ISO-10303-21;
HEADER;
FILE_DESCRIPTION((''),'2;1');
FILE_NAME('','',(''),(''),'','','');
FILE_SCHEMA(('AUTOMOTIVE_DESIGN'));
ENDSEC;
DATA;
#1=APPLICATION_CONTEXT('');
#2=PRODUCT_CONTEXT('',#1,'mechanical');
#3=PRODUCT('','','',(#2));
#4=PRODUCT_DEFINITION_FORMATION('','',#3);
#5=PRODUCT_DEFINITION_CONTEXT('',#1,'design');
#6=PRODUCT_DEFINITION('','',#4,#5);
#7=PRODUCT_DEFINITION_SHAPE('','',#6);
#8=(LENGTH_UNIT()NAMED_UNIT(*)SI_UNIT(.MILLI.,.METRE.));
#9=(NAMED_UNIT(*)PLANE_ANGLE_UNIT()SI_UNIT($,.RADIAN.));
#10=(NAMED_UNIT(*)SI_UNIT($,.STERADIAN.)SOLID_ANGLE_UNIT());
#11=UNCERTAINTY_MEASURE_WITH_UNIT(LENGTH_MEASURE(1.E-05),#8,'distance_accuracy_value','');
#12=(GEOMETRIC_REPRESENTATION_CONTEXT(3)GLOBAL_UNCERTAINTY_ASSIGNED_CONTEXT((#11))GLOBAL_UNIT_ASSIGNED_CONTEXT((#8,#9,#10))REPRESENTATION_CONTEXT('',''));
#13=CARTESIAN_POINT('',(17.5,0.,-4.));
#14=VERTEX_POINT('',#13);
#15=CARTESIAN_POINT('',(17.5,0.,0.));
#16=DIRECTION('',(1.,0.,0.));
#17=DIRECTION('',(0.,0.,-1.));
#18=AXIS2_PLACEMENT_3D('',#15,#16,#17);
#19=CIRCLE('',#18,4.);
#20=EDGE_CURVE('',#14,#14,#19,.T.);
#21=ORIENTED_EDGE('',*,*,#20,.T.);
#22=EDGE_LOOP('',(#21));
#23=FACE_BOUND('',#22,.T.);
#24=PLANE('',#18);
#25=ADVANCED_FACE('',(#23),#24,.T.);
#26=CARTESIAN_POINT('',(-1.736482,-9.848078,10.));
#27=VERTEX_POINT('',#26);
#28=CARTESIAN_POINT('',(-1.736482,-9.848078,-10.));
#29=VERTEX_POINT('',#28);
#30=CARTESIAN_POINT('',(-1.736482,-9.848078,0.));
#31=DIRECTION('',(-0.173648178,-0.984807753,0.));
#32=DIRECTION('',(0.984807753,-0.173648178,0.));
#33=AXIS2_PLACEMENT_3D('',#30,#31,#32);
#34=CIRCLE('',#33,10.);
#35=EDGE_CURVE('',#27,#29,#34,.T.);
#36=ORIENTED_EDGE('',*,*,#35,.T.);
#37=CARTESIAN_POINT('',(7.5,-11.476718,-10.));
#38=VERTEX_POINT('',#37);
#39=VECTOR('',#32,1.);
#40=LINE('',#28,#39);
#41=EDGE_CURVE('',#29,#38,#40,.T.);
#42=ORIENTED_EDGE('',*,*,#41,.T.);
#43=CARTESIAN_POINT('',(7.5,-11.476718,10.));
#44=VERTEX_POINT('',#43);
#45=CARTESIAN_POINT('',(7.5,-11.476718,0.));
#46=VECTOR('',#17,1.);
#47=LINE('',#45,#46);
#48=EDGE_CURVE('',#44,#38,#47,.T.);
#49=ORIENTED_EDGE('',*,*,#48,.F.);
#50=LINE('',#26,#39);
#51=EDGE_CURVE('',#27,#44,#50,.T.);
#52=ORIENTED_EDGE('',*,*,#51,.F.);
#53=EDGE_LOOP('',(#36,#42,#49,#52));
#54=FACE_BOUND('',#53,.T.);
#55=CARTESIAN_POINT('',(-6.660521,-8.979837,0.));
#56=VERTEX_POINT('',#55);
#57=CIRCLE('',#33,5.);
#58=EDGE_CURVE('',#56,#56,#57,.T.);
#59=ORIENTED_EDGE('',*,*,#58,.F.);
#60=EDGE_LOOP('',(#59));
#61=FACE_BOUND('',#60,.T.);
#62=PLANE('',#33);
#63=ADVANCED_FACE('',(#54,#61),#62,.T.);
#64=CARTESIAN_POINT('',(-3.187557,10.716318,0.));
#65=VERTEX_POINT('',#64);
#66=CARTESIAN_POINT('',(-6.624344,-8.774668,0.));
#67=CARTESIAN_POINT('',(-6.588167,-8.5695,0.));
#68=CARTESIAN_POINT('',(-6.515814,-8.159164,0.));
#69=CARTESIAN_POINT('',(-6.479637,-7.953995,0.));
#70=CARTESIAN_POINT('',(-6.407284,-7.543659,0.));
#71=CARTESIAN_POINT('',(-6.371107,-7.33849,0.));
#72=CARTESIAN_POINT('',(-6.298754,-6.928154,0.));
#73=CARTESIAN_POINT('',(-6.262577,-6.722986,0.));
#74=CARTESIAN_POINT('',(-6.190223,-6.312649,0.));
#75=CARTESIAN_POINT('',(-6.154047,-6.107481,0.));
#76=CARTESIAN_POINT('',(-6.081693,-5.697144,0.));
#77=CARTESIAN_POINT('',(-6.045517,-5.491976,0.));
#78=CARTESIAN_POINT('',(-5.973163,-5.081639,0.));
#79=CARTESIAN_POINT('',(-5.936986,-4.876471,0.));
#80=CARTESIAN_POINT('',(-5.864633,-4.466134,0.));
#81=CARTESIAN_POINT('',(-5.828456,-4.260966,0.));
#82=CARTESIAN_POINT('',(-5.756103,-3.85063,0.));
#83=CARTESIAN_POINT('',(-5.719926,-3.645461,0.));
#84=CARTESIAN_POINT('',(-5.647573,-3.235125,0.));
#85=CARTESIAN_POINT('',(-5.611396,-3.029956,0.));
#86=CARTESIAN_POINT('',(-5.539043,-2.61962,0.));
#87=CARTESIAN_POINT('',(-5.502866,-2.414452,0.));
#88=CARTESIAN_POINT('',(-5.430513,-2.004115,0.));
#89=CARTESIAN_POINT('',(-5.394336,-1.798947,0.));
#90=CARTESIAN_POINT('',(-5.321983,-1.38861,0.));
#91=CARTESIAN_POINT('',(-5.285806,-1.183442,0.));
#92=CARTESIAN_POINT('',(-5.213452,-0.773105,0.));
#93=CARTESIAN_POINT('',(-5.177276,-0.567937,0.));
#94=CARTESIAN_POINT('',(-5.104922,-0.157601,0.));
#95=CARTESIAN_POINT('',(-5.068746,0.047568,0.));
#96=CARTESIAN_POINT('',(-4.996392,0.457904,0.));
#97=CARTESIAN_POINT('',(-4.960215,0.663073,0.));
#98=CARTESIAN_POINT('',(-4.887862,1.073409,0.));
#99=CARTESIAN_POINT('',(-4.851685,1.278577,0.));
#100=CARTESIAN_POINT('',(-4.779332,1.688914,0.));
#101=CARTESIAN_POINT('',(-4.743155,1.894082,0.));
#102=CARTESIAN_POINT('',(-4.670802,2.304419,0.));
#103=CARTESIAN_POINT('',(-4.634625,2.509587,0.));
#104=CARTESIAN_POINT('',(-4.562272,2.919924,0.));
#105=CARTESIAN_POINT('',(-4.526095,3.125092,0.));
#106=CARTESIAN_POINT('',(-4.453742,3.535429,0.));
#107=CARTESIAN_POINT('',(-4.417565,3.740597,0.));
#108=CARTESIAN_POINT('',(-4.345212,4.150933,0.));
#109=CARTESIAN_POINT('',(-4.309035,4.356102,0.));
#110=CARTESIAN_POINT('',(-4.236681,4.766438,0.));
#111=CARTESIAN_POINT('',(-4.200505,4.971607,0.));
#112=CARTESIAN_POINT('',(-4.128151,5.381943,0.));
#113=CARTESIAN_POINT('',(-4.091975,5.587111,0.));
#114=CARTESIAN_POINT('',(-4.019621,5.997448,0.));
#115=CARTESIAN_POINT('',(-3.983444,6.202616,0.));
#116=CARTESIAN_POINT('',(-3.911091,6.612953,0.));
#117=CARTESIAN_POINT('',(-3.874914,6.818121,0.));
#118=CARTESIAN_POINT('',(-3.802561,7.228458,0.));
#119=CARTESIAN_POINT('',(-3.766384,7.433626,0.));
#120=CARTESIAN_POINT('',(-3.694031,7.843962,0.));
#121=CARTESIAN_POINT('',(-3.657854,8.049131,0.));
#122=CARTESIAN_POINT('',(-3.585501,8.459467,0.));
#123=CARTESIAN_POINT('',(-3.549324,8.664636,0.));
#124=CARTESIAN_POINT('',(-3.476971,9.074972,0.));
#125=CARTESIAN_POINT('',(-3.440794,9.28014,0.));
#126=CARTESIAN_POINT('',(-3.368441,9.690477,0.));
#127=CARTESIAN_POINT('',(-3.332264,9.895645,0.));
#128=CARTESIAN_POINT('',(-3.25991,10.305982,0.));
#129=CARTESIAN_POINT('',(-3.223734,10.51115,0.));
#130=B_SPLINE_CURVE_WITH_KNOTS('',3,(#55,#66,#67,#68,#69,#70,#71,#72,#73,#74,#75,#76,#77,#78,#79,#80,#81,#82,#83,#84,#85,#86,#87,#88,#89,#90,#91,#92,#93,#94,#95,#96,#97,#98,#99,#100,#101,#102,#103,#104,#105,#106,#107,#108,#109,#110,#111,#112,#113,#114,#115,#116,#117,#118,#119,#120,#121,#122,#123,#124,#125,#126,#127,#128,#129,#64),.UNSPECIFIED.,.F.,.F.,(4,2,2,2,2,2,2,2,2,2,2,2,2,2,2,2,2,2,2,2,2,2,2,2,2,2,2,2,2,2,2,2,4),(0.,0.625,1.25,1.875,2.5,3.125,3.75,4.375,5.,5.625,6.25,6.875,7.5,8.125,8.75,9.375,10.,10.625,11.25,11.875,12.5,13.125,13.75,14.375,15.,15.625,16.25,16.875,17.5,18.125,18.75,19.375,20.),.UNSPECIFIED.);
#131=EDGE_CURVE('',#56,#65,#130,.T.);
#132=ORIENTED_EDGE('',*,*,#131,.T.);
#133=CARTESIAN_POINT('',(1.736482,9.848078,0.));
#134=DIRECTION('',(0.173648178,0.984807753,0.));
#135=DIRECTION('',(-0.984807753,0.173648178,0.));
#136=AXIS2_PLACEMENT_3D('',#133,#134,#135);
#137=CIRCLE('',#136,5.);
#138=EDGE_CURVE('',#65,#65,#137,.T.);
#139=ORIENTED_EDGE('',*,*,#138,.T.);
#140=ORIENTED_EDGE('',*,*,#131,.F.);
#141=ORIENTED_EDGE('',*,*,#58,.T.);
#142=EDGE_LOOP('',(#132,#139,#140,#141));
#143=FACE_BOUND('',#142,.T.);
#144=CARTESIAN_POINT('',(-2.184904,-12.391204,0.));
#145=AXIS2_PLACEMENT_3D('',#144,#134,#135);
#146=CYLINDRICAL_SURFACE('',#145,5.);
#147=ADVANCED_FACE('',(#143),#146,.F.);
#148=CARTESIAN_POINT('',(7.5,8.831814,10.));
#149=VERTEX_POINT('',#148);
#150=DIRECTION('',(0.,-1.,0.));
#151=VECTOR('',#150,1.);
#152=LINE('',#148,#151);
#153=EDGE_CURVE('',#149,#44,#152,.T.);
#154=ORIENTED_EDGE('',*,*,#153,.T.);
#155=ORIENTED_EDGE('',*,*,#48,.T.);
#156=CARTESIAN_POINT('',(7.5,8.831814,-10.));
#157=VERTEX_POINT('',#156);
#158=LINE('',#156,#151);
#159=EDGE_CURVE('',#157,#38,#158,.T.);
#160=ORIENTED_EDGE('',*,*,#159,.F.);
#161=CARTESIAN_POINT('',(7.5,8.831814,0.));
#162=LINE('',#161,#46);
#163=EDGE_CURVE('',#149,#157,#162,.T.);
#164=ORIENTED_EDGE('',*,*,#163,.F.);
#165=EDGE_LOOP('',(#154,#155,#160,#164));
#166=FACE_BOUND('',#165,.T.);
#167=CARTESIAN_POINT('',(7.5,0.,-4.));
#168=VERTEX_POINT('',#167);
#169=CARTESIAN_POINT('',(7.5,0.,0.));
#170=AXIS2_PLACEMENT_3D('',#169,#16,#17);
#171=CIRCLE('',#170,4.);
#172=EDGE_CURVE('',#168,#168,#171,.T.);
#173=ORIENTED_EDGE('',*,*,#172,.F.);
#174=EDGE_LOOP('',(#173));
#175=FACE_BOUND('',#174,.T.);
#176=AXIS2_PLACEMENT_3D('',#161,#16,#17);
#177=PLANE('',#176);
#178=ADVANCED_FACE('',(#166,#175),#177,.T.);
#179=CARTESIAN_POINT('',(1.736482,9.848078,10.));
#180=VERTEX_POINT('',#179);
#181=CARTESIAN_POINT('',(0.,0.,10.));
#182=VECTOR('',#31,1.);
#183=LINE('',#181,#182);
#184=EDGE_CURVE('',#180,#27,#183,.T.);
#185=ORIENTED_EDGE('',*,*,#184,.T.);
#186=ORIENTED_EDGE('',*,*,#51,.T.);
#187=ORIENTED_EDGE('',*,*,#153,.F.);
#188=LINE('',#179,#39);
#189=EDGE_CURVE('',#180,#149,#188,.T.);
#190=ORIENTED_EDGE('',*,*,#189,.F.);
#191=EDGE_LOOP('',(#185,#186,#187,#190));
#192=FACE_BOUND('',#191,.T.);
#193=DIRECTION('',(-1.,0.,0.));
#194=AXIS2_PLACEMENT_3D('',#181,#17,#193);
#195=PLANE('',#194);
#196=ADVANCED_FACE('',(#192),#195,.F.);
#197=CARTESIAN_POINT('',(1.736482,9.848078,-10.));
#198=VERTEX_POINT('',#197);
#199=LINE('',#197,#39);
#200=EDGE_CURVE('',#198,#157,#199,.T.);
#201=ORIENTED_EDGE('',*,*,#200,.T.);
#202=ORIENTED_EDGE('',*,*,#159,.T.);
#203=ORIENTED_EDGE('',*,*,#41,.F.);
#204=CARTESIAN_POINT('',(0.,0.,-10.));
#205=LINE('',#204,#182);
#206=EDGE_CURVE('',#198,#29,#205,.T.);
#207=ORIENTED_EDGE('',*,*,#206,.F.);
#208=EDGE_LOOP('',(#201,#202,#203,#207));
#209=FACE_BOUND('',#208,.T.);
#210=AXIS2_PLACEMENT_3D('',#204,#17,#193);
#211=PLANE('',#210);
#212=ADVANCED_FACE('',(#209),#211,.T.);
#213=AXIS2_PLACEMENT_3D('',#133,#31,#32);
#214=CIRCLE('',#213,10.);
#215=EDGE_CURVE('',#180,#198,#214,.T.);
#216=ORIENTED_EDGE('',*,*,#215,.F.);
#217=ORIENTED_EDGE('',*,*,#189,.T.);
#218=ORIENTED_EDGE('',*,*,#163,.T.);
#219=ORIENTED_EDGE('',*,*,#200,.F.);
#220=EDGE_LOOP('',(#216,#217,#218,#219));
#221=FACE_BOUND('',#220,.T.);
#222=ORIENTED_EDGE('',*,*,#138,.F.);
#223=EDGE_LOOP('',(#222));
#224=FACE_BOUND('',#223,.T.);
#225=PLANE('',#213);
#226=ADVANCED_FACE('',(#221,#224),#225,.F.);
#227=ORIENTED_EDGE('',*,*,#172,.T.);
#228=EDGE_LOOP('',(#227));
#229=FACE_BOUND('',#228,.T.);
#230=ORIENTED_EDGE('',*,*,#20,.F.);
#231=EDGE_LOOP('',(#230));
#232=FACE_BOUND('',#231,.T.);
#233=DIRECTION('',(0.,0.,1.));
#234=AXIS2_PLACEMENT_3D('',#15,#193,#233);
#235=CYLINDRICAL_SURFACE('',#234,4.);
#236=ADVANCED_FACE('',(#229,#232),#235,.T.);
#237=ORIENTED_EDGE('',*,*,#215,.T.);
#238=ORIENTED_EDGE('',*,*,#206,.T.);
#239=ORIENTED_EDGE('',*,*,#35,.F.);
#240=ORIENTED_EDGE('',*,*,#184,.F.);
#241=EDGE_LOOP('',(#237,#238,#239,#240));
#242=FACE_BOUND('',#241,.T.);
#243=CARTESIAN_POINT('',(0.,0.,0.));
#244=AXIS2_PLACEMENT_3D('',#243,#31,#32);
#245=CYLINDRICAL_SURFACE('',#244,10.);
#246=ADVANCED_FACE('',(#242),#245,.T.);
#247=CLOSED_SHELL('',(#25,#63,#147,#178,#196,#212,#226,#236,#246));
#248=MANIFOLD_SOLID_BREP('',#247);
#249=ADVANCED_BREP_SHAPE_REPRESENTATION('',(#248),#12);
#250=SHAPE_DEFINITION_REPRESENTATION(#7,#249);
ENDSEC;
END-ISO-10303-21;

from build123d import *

# Parameters (mm, degrees)
EXTRUDE_3_DEPTH      = 10
EXTRUDE_3_DEPTH_BACK = 10
SKETCH_3_R           = 5
CUT_EXTRUDE_1_DEPTH  = 27.477518989
EXTRUDE_6_DEPTH      = 10
EXTRUDE_6_DEPTH_BACK = 10
SKETCH_9_R           = 4
EXTRUDE_8_DEPTH      = 10


with BuildPart() as part:
    # Sketch 3D_4 → ﾎﾞｽ - 押し出し3 (new, two sides: drawn at the far end of the back side and taken through both)
    with BuildSketch(Plane(origin=(0, 0, -10), x_dir=(0.24333901077648587, -0.042907233058801585, 0.9689917931466494), z_dir=(0.17364817766692725, 0.9848077530122086, 0)).offset(-EXTRUDE_3_DEPTH_BACK)):
        with BuildLine():
            Line((0, 0), (1.260173827, 4.941858145))
            Line((1.260173827, 4.941858145), (20.64000969, 0))
            Line((20.64000969, 0), (19.379835863, -4.941858145))
            ThreePointArc((19.379835863, -4.941858145), (7.218988859, -12.160847004), (0, 0))
        make_face()
    extrude(amount=EXTRUDE_3_DEPTH + EXTRUDE_3_DEPTH_BACK)

    # ｽｹｯﾁ3 → ｶｯﾄ - 押し出し1 (cut, through all)
    with BuildSketch(Plane(origin=(1.736481777, 9.84807753, 0), x_dir=(0.9848077530122086, -0.17364817766692736, 0), z_dir=(0.17364817766692736, 0.9848077530122086, 0))):
        Circle(SKETCH_3_R)
    extrude(amount=-CUT_EXTRUDE_1_DEPTH, mode=Mode.SUBTRACT)

    # Sketch 3D_9 → ﾎﾞｽ - 押し出し6 (add, two sides: drawn at the far end of the back side and taken through both)
    with BuildSketch(Plane(origin=(7.5, 8.831813764, 0), x_dir=(0, -1, 0), z_dir=(0, 0, -1)).offset(-EXTRUDE_6_DEPTH_BACK)):
        Polygon((0, 0), (20.308532238, 0), (19.565497, 4.213962236), (-0.13065806, 0.740998683), align=None)
    extrude(amount=EXTRUDE_6_DEPTH + EXTRUDE_6_DEPTH_BACK)

    # ｽｹｯﾁ9 → ﾎﾞｽ - 押し出し8 (add)
    with BuildSketch(Plane(origin=(7.5, 0, 0), x_dir=(0, 0, -1), z_dir=(1, 0, 0))):
        Circle(SKETCH_9_R)
    extrude(amount=EXTRUDE_8_DEPTH)


solid = part.part
